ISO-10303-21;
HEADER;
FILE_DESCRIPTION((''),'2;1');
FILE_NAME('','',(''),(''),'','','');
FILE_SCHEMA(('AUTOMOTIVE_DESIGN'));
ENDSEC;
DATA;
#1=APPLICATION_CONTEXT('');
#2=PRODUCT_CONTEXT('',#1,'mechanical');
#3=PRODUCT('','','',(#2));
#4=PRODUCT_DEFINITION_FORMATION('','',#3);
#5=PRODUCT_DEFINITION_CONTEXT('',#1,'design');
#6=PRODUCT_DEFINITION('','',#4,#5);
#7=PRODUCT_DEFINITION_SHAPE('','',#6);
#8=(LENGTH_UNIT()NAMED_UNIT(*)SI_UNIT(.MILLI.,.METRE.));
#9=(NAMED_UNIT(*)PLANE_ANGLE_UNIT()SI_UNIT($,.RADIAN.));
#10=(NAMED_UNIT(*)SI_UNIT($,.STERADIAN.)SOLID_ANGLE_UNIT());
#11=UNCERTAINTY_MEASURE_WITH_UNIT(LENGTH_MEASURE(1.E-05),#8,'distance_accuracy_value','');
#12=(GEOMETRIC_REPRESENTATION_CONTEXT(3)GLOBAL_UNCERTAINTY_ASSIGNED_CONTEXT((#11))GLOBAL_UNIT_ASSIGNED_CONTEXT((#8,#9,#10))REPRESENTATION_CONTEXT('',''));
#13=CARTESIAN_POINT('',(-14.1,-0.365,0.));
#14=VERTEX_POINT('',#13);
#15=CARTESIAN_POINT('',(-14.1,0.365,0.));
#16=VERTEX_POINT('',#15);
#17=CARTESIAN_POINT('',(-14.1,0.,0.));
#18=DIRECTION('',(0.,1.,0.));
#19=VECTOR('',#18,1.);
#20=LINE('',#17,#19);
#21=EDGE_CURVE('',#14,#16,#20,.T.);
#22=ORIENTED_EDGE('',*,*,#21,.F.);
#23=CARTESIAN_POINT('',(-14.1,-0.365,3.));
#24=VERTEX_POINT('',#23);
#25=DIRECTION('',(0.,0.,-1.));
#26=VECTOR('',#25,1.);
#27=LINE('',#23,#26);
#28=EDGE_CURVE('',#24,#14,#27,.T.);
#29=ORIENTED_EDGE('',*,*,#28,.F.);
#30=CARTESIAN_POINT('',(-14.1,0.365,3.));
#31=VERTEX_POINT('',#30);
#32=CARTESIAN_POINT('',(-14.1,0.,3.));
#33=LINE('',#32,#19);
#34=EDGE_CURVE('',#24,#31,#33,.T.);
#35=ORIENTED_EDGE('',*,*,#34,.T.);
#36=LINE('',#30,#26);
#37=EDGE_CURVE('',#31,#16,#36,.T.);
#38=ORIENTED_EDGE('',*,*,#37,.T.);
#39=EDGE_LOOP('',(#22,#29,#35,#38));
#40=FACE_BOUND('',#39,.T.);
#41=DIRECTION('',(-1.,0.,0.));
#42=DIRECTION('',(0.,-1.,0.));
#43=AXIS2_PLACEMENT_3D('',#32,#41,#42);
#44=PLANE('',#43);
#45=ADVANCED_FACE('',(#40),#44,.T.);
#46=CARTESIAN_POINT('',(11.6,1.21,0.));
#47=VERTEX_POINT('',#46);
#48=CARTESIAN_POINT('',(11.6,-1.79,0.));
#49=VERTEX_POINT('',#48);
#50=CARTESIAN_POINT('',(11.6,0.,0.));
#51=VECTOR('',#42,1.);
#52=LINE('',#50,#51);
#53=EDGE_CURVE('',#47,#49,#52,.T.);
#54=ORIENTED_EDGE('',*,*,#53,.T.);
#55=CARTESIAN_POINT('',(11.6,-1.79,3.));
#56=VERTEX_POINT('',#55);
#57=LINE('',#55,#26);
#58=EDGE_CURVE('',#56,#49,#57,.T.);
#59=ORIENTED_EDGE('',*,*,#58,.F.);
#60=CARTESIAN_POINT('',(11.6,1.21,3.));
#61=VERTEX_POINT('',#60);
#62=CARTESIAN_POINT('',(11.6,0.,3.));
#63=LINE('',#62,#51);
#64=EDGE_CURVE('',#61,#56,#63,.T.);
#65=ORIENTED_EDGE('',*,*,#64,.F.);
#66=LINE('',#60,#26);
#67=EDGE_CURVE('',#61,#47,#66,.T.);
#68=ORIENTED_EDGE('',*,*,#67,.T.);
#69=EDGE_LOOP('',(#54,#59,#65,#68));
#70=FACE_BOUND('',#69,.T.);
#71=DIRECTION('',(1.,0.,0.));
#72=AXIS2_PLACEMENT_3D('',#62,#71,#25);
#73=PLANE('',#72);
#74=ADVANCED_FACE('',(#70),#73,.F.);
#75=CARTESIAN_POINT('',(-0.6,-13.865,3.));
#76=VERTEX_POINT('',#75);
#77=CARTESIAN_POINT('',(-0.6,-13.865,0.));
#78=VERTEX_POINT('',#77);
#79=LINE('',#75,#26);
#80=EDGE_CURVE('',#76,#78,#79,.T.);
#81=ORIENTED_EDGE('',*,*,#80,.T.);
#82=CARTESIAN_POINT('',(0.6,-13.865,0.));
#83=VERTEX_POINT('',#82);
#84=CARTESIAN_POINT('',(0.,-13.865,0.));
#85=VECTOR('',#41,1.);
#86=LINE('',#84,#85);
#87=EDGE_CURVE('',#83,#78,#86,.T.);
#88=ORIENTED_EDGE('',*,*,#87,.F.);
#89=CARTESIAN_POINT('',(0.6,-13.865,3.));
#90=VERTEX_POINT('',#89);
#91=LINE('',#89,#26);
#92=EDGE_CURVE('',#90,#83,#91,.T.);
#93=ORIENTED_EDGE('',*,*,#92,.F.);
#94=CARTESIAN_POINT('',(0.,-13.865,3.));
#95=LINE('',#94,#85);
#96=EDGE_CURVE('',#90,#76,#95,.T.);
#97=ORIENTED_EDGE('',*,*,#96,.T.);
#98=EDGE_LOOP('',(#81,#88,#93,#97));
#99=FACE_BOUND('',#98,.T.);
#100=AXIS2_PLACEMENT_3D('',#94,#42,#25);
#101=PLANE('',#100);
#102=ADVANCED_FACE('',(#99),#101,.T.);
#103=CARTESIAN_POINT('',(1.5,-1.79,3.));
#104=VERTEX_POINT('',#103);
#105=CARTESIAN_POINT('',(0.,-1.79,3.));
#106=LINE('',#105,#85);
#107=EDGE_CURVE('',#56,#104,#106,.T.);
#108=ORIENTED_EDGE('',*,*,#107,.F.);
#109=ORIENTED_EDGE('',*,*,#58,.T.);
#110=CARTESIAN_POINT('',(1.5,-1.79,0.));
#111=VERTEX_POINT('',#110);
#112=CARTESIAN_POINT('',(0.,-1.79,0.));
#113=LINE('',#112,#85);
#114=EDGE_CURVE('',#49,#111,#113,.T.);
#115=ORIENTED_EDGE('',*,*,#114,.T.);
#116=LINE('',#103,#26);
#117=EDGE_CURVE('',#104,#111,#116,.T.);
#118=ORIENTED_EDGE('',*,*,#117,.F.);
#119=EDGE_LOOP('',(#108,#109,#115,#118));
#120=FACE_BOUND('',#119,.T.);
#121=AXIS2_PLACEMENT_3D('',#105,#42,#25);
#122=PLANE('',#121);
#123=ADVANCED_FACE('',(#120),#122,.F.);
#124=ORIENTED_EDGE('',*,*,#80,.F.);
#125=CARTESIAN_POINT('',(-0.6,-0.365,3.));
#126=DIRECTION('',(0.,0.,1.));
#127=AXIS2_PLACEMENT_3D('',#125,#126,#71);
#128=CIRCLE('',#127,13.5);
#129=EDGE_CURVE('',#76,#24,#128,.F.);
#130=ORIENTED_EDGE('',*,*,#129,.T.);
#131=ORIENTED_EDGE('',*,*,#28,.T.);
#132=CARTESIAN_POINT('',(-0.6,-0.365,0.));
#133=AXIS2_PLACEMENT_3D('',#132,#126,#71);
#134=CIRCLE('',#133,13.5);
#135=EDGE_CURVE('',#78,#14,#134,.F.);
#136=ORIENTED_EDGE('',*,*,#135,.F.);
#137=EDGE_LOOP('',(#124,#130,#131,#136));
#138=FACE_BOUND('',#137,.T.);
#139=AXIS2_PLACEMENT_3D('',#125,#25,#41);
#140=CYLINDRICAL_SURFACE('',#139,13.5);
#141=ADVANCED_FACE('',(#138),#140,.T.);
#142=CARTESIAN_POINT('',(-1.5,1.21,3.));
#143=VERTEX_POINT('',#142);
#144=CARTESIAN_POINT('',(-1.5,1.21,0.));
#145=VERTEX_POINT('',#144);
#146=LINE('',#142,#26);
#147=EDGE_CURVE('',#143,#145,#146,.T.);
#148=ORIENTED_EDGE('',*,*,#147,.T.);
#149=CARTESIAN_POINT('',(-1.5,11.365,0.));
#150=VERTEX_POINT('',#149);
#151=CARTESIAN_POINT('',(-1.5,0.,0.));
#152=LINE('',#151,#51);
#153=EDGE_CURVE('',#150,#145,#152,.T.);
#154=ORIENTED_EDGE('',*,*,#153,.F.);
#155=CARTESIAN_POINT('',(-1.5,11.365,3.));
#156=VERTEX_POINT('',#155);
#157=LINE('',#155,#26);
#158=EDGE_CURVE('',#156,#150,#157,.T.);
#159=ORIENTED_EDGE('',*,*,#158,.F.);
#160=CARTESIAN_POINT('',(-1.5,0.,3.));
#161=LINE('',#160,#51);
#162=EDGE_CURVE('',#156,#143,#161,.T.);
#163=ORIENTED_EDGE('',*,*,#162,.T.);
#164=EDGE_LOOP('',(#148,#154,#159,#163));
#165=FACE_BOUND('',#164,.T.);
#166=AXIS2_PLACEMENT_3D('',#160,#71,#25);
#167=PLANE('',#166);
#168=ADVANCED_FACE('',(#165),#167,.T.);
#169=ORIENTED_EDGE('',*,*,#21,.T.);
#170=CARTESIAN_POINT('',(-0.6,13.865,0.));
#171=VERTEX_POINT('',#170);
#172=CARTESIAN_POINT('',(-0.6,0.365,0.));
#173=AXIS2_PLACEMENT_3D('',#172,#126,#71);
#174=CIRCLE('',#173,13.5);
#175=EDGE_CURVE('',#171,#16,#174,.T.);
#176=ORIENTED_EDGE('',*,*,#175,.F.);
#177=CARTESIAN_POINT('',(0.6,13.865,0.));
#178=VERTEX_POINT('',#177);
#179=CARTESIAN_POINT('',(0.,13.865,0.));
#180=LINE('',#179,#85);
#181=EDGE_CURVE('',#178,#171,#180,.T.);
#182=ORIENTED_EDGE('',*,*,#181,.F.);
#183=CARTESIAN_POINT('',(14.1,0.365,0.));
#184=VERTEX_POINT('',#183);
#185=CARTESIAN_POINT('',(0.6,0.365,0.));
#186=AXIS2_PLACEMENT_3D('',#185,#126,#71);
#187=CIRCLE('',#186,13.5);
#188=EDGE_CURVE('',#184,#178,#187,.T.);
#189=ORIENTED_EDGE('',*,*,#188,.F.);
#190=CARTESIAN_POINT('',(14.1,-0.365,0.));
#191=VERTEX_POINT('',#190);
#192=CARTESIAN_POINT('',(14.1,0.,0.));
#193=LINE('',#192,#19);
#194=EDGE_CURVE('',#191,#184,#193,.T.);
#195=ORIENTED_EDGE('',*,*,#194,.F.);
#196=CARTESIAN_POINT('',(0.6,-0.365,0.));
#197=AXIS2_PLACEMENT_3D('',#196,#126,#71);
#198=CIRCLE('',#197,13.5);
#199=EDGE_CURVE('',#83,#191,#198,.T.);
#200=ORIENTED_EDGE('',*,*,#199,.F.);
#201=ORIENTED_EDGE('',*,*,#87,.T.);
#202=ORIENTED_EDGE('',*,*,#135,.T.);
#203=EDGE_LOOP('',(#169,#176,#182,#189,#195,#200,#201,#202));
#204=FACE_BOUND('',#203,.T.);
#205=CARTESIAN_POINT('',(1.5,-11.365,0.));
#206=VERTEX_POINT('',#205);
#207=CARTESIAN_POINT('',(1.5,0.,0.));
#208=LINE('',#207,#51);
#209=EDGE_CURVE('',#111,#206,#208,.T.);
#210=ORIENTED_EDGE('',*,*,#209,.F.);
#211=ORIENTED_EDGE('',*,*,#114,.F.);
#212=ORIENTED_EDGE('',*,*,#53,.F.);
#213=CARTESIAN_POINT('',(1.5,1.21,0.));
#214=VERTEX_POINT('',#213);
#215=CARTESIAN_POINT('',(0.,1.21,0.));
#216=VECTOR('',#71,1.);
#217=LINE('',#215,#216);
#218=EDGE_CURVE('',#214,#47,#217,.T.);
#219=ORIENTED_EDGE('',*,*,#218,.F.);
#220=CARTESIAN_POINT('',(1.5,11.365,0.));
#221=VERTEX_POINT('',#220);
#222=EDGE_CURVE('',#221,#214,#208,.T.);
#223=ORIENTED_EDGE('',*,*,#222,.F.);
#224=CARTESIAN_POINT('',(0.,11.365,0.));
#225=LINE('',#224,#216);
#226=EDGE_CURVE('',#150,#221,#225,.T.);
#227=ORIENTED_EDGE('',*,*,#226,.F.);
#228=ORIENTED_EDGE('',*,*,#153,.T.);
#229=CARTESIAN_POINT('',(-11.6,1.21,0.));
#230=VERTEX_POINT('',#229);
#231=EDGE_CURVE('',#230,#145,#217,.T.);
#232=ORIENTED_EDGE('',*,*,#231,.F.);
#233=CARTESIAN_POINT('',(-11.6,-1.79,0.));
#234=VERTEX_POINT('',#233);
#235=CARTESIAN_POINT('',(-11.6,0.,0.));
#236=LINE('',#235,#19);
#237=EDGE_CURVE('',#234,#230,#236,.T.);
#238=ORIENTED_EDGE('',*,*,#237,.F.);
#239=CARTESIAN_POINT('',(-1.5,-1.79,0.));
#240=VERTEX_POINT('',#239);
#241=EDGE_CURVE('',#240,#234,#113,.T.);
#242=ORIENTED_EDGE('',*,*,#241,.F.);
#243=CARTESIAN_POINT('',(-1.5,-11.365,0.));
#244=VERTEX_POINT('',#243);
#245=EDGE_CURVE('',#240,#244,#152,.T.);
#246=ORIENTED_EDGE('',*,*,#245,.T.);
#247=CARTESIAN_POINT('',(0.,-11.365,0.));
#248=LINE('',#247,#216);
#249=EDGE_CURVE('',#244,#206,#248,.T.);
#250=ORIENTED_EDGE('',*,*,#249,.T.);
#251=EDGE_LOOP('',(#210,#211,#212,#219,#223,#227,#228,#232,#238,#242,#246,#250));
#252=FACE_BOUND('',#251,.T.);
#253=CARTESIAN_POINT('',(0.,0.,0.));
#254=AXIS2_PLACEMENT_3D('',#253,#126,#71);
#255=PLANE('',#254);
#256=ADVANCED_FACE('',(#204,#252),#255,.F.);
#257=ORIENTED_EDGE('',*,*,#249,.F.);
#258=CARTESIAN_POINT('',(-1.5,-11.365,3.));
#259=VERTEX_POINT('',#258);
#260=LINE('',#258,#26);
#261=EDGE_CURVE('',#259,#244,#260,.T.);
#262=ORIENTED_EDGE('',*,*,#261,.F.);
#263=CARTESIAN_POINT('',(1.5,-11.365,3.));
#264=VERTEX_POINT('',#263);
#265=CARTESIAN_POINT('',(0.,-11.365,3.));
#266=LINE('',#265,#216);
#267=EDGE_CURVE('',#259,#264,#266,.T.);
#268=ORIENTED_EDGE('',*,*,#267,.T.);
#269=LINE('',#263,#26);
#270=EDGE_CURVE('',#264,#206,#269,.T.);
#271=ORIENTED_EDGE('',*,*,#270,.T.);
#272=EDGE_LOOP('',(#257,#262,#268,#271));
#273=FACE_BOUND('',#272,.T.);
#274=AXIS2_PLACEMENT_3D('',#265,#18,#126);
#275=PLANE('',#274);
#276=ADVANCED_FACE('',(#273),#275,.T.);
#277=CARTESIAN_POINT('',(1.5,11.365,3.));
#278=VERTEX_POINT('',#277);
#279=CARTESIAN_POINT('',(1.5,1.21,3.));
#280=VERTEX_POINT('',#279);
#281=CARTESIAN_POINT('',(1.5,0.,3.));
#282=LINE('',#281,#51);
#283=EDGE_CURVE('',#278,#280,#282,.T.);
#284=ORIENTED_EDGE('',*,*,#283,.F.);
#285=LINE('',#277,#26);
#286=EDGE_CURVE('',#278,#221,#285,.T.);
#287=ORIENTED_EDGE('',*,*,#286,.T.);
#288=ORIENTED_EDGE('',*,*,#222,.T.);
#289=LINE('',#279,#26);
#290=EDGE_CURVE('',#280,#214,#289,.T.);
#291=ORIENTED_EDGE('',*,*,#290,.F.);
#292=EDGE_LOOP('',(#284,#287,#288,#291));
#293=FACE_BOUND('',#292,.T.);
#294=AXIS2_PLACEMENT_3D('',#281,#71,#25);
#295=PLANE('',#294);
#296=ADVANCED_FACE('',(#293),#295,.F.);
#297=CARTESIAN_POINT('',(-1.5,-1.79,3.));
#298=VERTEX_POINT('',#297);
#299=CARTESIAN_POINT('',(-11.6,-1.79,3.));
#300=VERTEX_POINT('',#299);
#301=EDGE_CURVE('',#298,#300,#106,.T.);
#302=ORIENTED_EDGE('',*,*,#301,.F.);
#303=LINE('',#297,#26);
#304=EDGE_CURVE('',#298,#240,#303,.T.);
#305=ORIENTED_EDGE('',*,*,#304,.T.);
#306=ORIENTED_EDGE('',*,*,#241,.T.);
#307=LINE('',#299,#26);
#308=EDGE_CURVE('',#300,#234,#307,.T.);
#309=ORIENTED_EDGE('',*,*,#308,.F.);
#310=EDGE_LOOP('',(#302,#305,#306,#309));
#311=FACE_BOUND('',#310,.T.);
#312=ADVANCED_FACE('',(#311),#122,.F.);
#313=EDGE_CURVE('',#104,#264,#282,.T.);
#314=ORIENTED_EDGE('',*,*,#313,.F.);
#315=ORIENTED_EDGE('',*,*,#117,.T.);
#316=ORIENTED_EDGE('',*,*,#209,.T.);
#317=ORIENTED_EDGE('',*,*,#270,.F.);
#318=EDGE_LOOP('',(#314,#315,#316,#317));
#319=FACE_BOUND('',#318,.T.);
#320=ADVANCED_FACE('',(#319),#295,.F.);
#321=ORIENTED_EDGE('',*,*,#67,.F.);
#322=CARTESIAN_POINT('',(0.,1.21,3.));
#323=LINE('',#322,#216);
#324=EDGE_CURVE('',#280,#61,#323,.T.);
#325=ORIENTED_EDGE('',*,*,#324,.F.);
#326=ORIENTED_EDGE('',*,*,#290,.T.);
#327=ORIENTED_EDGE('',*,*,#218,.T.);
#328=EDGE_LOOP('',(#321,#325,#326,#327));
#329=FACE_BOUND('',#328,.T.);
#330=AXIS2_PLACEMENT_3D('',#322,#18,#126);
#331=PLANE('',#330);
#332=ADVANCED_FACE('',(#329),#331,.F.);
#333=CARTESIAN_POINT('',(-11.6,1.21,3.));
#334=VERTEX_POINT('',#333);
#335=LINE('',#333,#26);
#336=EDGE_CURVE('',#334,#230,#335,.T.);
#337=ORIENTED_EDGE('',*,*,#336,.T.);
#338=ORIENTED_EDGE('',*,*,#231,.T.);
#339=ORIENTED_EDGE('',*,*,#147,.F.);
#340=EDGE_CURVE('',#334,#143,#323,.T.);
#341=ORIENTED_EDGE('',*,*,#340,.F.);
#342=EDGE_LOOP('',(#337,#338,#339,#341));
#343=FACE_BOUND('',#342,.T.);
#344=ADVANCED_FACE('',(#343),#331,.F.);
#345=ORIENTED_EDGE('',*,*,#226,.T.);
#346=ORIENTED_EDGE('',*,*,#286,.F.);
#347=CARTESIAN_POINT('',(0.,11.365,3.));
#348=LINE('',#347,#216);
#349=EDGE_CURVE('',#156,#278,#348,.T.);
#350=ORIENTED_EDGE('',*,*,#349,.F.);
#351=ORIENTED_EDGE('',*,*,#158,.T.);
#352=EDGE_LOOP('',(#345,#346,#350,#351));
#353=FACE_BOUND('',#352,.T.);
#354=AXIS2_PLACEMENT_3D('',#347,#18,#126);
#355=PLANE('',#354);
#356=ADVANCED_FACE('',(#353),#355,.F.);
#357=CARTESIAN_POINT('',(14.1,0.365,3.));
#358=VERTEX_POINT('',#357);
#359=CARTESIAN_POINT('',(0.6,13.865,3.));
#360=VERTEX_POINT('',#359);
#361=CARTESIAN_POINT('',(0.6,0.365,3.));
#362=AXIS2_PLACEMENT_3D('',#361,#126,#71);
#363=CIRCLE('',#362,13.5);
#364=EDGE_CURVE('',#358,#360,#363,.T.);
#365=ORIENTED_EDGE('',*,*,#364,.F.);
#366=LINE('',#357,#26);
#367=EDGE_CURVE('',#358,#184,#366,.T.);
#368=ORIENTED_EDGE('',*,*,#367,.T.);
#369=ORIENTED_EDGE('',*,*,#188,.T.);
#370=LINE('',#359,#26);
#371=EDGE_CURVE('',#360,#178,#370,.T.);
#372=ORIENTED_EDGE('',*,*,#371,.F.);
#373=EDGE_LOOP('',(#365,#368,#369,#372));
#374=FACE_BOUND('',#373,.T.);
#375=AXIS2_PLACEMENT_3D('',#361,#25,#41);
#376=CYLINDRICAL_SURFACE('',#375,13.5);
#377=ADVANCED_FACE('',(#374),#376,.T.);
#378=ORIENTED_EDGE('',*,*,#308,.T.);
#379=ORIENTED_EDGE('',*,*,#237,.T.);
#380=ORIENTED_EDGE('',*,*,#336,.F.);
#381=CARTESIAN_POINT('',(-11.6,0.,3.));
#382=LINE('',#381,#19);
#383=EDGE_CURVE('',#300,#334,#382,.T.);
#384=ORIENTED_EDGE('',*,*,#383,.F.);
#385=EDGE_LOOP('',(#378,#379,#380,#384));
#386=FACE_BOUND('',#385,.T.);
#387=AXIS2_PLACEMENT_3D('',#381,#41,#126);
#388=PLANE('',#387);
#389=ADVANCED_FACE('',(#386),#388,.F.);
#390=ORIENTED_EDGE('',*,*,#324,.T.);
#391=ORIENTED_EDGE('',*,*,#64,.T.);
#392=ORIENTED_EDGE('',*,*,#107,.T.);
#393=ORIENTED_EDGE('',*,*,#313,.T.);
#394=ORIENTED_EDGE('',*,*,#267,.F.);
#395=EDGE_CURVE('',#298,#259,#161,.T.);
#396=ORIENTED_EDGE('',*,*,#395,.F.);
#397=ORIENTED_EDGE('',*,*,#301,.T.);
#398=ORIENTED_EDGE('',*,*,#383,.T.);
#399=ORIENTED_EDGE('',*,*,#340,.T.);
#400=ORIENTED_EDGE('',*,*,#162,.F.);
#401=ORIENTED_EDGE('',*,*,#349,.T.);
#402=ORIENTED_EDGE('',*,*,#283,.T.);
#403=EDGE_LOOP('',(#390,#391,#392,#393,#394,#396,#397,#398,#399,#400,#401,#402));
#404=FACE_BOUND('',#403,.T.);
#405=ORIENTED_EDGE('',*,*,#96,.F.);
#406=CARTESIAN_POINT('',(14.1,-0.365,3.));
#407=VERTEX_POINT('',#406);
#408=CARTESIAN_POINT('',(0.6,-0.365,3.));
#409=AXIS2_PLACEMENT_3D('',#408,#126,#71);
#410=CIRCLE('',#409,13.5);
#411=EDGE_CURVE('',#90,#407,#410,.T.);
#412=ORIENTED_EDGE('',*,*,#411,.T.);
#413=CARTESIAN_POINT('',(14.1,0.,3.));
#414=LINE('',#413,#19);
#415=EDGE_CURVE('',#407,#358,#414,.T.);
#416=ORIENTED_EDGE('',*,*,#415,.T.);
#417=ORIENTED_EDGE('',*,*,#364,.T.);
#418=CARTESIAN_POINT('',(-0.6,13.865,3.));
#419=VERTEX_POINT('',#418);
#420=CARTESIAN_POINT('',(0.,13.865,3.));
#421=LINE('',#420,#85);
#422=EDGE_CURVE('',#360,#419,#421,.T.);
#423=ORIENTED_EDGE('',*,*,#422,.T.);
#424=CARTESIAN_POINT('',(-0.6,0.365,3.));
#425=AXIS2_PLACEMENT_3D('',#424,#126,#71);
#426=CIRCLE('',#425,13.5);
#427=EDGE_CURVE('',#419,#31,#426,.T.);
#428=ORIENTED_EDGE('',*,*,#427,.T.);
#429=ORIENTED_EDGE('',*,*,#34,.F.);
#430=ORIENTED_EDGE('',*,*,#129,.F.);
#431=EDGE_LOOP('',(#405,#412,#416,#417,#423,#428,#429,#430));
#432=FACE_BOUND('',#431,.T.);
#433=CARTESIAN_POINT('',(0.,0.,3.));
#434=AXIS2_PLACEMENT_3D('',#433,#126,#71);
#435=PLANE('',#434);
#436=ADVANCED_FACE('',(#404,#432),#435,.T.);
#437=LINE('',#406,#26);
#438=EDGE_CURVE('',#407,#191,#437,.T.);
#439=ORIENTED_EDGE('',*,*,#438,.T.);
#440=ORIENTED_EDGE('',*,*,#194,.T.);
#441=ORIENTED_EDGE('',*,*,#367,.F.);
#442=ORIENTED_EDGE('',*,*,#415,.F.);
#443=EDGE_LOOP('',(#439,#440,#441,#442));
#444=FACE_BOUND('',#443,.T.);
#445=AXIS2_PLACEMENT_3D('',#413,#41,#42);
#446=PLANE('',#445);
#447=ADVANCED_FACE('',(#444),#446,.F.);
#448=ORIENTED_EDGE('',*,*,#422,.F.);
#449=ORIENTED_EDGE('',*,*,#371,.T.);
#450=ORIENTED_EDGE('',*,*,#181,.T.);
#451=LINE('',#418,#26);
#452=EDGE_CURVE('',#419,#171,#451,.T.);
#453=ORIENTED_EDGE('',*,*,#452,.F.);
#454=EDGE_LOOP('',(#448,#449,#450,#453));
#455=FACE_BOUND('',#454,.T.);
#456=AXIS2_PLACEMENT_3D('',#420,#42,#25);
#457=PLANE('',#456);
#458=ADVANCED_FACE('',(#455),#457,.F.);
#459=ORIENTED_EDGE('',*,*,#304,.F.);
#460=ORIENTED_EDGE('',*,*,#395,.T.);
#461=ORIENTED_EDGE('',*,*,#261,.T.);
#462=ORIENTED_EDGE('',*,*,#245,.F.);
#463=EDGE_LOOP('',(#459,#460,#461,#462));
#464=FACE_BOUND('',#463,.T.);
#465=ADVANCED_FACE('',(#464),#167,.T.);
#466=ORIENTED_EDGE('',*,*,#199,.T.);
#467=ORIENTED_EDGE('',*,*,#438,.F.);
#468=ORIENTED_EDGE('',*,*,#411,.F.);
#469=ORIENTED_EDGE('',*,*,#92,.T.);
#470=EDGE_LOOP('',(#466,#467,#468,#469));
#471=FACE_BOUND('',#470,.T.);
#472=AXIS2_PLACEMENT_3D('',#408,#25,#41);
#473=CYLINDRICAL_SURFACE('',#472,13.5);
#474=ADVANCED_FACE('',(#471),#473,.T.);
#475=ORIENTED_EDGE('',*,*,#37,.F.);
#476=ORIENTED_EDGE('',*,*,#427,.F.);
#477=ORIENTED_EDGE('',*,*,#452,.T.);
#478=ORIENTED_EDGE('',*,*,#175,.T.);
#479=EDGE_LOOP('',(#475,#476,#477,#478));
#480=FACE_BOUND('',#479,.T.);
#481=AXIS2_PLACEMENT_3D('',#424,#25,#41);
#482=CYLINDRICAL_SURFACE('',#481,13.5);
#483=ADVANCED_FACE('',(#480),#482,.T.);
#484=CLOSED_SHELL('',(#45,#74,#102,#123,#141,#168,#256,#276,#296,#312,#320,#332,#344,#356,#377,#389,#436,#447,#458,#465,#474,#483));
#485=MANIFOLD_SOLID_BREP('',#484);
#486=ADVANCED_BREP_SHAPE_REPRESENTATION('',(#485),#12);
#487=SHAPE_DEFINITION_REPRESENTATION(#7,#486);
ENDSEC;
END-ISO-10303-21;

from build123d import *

# Parameters (mm, degrees)
SALIENTE_EXTRUIR1_DEPTH = 3


with BuildPart() as part:
    # Croquis1 → Saliente-Extruir1 (new body)
    with BuildSketch(Plane.XY):
        with BuildLine():
            Line((-0.6, -13.865), (0.6, -13.865))
            ThreePointArc((0.6, -13.865), (10.145941546, -9.910941546), (14.1, -0.365))
            Line((14.1, -0.365), (14.1, 0.365))
            ThreePointArc((14.1, 0.365), (10.145941546, 9.910941546), (0.6, 13.865))
            Line((0.6, 13.865), (-0.6, 13.865))
            ThreePointArc((-0.6, 13.865), (-10.145941546, 9.910941546), (-14.1, 0.365))
            Line((-14.1, 0.365), (-14.1, -0.365))
            ThreePointArc((-14.1, -0.365), (-10.145941546, -9.910941546), (-0.6, -13.865))
        make_face()
        Polygon((-11.6, -1.79), (-11.6, 1.21), (-1.5, 1.21), (-1.5, 11.365), (1.5, 11.365), (1.5, 1.21), (11.6, 1.21), (11.6, -1.79), (1.5, -1.79), (1.5, -11.365), (-1.5, -11.365), (-1.5, -1.79), align=None, mode=Mode.SUBTRACT)
    extrude(amount=SALIENTE_EXTRUIR1_DEPTH)


solid = part.part
